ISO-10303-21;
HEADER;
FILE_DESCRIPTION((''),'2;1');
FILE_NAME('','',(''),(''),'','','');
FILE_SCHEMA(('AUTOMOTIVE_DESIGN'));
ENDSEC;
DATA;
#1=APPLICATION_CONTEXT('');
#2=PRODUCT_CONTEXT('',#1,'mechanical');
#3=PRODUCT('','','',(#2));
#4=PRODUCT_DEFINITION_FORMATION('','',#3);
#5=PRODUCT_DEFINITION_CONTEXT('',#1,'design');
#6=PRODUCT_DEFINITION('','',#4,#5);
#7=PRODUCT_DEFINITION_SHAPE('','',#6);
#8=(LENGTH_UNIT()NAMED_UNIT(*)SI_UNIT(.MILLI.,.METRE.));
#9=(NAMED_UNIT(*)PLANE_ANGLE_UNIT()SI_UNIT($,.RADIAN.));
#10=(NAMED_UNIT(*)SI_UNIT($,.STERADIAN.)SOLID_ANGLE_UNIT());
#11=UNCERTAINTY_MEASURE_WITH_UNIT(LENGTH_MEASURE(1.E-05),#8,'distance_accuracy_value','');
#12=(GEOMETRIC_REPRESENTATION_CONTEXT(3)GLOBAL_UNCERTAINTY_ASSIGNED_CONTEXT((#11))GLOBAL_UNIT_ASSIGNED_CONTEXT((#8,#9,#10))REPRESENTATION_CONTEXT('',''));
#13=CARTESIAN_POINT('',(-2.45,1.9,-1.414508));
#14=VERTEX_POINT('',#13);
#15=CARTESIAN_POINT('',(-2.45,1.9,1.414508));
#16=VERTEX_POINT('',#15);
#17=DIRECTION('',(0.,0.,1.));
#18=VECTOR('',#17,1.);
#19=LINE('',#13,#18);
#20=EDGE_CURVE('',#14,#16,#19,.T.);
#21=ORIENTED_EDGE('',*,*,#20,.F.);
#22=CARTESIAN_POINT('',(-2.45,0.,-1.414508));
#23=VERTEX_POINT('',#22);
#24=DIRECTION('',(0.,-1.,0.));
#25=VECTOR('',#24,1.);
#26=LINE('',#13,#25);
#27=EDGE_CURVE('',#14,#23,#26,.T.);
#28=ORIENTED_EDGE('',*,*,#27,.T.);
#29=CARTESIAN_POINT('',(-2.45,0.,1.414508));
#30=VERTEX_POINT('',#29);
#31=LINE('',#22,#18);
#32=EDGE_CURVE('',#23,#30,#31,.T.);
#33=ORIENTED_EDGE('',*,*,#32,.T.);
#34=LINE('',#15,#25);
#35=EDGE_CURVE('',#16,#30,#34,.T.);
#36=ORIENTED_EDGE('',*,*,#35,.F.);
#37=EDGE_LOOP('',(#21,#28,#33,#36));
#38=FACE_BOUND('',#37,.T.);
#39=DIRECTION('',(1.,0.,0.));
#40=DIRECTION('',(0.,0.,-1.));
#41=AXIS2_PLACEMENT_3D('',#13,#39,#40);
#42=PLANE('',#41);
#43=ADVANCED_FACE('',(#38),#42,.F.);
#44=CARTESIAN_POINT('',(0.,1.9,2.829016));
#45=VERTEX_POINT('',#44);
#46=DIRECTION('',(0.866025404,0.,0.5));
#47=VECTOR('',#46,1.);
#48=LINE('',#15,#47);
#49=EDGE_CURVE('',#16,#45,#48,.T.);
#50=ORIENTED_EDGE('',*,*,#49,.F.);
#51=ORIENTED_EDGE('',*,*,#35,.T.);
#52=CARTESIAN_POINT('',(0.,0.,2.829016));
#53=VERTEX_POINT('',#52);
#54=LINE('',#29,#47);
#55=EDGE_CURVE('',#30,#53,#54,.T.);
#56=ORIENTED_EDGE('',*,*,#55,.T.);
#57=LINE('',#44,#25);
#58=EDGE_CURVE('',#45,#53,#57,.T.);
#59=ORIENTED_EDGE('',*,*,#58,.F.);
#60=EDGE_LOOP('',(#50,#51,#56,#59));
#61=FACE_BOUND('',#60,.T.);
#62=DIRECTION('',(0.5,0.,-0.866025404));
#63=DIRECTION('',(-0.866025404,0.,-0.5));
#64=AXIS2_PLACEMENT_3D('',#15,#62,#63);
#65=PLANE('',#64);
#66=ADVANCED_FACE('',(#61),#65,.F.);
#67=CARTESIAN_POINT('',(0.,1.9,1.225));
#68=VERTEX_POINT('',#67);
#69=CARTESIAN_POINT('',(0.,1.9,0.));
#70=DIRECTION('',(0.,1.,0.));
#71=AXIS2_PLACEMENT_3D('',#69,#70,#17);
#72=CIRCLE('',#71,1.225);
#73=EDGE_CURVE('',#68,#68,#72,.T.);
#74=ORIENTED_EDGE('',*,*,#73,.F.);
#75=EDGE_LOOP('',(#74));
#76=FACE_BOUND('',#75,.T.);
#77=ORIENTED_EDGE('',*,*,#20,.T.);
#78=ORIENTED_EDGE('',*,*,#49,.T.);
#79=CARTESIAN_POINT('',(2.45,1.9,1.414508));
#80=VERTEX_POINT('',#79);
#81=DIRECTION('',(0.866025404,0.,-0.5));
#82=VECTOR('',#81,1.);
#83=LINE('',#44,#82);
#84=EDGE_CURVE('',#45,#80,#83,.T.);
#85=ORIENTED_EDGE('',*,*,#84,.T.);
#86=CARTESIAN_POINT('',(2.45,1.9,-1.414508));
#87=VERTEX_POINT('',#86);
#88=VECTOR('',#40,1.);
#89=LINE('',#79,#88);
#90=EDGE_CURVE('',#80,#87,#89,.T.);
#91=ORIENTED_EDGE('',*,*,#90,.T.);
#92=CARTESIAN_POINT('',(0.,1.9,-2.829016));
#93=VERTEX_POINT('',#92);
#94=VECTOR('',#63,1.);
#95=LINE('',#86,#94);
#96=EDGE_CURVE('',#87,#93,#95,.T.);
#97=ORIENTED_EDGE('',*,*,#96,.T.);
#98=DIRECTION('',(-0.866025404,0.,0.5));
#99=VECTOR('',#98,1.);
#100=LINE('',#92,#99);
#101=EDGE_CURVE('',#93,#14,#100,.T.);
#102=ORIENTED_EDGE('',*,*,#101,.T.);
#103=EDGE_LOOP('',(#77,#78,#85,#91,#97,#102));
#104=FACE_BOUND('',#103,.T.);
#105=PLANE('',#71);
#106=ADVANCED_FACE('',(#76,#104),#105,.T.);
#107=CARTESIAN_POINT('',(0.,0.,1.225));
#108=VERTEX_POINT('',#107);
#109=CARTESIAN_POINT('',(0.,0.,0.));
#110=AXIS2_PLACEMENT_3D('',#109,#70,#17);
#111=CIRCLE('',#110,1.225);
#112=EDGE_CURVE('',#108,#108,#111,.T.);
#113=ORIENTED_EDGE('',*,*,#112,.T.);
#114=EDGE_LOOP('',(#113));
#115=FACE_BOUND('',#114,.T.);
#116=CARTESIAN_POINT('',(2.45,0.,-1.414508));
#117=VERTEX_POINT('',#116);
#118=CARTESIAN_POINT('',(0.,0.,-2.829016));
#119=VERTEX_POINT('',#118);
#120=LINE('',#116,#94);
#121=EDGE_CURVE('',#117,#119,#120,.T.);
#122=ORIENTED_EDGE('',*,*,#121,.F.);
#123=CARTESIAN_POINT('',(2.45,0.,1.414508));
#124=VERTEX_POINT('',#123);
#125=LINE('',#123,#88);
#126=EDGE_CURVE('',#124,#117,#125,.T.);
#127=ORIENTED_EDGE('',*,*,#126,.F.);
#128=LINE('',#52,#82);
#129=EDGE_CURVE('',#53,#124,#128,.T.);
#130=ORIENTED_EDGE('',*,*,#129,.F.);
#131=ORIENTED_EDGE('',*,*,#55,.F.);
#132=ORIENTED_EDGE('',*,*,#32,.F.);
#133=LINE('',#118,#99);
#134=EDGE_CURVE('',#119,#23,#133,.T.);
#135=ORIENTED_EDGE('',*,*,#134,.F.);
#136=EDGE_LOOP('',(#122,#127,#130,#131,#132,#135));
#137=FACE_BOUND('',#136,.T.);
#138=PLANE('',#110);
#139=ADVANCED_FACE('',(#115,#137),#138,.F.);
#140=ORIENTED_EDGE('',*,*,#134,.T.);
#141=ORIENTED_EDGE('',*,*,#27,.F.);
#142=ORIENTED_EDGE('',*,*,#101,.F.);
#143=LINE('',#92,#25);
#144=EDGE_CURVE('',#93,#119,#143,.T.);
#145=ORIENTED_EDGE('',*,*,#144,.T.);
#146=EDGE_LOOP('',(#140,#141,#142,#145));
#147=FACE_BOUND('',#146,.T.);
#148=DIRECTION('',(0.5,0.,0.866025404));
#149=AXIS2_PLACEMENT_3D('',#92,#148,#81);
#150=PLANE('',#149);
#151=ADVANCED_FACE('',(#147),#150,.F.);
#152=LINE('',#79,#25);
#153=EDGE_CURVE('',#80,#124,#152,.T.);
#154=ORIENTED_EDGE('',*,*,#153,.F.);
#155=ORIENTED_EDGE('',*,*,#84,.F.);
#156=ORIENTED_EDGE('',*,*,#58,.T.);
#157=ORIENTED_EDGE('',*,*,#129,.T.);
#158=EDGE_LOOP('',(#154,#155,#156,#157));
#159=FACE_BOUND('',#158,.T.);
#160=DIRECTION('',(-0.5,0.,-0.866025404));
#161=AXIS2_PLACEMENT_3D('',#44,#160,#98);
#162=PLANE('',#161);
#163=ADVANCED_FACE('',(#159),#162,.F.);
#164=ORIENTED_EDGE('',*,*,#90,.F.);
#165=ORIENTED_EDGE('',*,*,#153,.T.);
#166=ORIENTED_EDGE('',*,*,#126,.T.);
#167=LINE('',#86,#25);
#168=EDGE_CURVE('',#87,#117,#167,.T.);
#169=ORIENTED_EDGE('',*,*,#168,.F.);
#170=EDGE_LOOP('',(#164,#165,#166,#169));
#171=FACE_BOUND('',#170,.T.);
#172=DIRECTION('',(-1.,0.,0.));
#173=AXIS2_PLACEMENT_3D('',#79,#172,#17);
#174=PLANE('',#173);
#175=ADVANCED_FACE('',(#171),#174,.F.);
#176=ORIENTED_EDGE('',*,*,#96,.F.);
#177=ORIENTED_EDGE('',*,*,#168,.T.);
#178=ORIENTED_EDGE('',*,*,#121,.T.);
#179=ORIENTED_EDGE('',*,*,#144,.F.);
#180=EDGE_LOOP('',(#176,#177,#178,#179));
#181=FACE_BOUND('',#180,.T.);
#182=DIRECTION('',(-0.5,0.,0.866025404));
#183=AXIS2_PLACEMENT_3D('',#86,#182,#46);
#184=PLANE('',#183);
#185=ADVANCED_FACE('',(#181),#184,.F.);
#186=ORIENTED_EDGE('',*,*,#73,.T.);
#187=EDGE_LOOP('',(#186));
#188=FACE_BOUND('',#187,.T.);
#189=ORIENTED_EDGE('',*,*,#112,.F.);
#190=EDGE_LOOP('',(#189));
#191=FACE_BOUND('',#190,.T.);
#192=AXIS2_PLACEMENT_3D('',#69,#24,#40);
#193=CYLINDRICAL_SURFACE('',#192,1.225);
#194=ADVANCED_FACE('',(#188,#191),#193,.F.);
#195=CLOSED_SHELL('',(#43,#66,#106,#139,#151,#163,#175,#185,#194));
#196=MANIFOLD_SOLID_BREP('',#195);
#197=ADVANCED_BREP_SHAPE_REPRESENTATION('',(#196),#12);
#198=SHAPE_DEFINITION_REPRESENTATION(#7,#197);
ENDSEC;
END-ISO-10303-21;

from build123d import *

# Parameters (mm, degrees)
SKETCH1_R           = 1.225
BOSS_EXTRUDE1_DEPTH = 1.9


with BuildPart() as part:
    # Sketch1 → Boss-Extrude1 (new body)
    with BuildSketch(Plane(origin=(0, 0, 0), x_dir=(1, 0, 0), z_dir=(0, 1, 0))):
        Polygon((0, -2.829016319), (2.45, -1.41450816), (2.45, 1.41450816), (0, 2.829016319), (-2.45, 1.41450816), (-2.45, -1.41450816), align=None)
        Circle(SKETCH1_R, mode=Mode.SUBTRACT)
    extrude(amount=BOSS_EXTRUDE1_DEPTH)


solid = part.part
